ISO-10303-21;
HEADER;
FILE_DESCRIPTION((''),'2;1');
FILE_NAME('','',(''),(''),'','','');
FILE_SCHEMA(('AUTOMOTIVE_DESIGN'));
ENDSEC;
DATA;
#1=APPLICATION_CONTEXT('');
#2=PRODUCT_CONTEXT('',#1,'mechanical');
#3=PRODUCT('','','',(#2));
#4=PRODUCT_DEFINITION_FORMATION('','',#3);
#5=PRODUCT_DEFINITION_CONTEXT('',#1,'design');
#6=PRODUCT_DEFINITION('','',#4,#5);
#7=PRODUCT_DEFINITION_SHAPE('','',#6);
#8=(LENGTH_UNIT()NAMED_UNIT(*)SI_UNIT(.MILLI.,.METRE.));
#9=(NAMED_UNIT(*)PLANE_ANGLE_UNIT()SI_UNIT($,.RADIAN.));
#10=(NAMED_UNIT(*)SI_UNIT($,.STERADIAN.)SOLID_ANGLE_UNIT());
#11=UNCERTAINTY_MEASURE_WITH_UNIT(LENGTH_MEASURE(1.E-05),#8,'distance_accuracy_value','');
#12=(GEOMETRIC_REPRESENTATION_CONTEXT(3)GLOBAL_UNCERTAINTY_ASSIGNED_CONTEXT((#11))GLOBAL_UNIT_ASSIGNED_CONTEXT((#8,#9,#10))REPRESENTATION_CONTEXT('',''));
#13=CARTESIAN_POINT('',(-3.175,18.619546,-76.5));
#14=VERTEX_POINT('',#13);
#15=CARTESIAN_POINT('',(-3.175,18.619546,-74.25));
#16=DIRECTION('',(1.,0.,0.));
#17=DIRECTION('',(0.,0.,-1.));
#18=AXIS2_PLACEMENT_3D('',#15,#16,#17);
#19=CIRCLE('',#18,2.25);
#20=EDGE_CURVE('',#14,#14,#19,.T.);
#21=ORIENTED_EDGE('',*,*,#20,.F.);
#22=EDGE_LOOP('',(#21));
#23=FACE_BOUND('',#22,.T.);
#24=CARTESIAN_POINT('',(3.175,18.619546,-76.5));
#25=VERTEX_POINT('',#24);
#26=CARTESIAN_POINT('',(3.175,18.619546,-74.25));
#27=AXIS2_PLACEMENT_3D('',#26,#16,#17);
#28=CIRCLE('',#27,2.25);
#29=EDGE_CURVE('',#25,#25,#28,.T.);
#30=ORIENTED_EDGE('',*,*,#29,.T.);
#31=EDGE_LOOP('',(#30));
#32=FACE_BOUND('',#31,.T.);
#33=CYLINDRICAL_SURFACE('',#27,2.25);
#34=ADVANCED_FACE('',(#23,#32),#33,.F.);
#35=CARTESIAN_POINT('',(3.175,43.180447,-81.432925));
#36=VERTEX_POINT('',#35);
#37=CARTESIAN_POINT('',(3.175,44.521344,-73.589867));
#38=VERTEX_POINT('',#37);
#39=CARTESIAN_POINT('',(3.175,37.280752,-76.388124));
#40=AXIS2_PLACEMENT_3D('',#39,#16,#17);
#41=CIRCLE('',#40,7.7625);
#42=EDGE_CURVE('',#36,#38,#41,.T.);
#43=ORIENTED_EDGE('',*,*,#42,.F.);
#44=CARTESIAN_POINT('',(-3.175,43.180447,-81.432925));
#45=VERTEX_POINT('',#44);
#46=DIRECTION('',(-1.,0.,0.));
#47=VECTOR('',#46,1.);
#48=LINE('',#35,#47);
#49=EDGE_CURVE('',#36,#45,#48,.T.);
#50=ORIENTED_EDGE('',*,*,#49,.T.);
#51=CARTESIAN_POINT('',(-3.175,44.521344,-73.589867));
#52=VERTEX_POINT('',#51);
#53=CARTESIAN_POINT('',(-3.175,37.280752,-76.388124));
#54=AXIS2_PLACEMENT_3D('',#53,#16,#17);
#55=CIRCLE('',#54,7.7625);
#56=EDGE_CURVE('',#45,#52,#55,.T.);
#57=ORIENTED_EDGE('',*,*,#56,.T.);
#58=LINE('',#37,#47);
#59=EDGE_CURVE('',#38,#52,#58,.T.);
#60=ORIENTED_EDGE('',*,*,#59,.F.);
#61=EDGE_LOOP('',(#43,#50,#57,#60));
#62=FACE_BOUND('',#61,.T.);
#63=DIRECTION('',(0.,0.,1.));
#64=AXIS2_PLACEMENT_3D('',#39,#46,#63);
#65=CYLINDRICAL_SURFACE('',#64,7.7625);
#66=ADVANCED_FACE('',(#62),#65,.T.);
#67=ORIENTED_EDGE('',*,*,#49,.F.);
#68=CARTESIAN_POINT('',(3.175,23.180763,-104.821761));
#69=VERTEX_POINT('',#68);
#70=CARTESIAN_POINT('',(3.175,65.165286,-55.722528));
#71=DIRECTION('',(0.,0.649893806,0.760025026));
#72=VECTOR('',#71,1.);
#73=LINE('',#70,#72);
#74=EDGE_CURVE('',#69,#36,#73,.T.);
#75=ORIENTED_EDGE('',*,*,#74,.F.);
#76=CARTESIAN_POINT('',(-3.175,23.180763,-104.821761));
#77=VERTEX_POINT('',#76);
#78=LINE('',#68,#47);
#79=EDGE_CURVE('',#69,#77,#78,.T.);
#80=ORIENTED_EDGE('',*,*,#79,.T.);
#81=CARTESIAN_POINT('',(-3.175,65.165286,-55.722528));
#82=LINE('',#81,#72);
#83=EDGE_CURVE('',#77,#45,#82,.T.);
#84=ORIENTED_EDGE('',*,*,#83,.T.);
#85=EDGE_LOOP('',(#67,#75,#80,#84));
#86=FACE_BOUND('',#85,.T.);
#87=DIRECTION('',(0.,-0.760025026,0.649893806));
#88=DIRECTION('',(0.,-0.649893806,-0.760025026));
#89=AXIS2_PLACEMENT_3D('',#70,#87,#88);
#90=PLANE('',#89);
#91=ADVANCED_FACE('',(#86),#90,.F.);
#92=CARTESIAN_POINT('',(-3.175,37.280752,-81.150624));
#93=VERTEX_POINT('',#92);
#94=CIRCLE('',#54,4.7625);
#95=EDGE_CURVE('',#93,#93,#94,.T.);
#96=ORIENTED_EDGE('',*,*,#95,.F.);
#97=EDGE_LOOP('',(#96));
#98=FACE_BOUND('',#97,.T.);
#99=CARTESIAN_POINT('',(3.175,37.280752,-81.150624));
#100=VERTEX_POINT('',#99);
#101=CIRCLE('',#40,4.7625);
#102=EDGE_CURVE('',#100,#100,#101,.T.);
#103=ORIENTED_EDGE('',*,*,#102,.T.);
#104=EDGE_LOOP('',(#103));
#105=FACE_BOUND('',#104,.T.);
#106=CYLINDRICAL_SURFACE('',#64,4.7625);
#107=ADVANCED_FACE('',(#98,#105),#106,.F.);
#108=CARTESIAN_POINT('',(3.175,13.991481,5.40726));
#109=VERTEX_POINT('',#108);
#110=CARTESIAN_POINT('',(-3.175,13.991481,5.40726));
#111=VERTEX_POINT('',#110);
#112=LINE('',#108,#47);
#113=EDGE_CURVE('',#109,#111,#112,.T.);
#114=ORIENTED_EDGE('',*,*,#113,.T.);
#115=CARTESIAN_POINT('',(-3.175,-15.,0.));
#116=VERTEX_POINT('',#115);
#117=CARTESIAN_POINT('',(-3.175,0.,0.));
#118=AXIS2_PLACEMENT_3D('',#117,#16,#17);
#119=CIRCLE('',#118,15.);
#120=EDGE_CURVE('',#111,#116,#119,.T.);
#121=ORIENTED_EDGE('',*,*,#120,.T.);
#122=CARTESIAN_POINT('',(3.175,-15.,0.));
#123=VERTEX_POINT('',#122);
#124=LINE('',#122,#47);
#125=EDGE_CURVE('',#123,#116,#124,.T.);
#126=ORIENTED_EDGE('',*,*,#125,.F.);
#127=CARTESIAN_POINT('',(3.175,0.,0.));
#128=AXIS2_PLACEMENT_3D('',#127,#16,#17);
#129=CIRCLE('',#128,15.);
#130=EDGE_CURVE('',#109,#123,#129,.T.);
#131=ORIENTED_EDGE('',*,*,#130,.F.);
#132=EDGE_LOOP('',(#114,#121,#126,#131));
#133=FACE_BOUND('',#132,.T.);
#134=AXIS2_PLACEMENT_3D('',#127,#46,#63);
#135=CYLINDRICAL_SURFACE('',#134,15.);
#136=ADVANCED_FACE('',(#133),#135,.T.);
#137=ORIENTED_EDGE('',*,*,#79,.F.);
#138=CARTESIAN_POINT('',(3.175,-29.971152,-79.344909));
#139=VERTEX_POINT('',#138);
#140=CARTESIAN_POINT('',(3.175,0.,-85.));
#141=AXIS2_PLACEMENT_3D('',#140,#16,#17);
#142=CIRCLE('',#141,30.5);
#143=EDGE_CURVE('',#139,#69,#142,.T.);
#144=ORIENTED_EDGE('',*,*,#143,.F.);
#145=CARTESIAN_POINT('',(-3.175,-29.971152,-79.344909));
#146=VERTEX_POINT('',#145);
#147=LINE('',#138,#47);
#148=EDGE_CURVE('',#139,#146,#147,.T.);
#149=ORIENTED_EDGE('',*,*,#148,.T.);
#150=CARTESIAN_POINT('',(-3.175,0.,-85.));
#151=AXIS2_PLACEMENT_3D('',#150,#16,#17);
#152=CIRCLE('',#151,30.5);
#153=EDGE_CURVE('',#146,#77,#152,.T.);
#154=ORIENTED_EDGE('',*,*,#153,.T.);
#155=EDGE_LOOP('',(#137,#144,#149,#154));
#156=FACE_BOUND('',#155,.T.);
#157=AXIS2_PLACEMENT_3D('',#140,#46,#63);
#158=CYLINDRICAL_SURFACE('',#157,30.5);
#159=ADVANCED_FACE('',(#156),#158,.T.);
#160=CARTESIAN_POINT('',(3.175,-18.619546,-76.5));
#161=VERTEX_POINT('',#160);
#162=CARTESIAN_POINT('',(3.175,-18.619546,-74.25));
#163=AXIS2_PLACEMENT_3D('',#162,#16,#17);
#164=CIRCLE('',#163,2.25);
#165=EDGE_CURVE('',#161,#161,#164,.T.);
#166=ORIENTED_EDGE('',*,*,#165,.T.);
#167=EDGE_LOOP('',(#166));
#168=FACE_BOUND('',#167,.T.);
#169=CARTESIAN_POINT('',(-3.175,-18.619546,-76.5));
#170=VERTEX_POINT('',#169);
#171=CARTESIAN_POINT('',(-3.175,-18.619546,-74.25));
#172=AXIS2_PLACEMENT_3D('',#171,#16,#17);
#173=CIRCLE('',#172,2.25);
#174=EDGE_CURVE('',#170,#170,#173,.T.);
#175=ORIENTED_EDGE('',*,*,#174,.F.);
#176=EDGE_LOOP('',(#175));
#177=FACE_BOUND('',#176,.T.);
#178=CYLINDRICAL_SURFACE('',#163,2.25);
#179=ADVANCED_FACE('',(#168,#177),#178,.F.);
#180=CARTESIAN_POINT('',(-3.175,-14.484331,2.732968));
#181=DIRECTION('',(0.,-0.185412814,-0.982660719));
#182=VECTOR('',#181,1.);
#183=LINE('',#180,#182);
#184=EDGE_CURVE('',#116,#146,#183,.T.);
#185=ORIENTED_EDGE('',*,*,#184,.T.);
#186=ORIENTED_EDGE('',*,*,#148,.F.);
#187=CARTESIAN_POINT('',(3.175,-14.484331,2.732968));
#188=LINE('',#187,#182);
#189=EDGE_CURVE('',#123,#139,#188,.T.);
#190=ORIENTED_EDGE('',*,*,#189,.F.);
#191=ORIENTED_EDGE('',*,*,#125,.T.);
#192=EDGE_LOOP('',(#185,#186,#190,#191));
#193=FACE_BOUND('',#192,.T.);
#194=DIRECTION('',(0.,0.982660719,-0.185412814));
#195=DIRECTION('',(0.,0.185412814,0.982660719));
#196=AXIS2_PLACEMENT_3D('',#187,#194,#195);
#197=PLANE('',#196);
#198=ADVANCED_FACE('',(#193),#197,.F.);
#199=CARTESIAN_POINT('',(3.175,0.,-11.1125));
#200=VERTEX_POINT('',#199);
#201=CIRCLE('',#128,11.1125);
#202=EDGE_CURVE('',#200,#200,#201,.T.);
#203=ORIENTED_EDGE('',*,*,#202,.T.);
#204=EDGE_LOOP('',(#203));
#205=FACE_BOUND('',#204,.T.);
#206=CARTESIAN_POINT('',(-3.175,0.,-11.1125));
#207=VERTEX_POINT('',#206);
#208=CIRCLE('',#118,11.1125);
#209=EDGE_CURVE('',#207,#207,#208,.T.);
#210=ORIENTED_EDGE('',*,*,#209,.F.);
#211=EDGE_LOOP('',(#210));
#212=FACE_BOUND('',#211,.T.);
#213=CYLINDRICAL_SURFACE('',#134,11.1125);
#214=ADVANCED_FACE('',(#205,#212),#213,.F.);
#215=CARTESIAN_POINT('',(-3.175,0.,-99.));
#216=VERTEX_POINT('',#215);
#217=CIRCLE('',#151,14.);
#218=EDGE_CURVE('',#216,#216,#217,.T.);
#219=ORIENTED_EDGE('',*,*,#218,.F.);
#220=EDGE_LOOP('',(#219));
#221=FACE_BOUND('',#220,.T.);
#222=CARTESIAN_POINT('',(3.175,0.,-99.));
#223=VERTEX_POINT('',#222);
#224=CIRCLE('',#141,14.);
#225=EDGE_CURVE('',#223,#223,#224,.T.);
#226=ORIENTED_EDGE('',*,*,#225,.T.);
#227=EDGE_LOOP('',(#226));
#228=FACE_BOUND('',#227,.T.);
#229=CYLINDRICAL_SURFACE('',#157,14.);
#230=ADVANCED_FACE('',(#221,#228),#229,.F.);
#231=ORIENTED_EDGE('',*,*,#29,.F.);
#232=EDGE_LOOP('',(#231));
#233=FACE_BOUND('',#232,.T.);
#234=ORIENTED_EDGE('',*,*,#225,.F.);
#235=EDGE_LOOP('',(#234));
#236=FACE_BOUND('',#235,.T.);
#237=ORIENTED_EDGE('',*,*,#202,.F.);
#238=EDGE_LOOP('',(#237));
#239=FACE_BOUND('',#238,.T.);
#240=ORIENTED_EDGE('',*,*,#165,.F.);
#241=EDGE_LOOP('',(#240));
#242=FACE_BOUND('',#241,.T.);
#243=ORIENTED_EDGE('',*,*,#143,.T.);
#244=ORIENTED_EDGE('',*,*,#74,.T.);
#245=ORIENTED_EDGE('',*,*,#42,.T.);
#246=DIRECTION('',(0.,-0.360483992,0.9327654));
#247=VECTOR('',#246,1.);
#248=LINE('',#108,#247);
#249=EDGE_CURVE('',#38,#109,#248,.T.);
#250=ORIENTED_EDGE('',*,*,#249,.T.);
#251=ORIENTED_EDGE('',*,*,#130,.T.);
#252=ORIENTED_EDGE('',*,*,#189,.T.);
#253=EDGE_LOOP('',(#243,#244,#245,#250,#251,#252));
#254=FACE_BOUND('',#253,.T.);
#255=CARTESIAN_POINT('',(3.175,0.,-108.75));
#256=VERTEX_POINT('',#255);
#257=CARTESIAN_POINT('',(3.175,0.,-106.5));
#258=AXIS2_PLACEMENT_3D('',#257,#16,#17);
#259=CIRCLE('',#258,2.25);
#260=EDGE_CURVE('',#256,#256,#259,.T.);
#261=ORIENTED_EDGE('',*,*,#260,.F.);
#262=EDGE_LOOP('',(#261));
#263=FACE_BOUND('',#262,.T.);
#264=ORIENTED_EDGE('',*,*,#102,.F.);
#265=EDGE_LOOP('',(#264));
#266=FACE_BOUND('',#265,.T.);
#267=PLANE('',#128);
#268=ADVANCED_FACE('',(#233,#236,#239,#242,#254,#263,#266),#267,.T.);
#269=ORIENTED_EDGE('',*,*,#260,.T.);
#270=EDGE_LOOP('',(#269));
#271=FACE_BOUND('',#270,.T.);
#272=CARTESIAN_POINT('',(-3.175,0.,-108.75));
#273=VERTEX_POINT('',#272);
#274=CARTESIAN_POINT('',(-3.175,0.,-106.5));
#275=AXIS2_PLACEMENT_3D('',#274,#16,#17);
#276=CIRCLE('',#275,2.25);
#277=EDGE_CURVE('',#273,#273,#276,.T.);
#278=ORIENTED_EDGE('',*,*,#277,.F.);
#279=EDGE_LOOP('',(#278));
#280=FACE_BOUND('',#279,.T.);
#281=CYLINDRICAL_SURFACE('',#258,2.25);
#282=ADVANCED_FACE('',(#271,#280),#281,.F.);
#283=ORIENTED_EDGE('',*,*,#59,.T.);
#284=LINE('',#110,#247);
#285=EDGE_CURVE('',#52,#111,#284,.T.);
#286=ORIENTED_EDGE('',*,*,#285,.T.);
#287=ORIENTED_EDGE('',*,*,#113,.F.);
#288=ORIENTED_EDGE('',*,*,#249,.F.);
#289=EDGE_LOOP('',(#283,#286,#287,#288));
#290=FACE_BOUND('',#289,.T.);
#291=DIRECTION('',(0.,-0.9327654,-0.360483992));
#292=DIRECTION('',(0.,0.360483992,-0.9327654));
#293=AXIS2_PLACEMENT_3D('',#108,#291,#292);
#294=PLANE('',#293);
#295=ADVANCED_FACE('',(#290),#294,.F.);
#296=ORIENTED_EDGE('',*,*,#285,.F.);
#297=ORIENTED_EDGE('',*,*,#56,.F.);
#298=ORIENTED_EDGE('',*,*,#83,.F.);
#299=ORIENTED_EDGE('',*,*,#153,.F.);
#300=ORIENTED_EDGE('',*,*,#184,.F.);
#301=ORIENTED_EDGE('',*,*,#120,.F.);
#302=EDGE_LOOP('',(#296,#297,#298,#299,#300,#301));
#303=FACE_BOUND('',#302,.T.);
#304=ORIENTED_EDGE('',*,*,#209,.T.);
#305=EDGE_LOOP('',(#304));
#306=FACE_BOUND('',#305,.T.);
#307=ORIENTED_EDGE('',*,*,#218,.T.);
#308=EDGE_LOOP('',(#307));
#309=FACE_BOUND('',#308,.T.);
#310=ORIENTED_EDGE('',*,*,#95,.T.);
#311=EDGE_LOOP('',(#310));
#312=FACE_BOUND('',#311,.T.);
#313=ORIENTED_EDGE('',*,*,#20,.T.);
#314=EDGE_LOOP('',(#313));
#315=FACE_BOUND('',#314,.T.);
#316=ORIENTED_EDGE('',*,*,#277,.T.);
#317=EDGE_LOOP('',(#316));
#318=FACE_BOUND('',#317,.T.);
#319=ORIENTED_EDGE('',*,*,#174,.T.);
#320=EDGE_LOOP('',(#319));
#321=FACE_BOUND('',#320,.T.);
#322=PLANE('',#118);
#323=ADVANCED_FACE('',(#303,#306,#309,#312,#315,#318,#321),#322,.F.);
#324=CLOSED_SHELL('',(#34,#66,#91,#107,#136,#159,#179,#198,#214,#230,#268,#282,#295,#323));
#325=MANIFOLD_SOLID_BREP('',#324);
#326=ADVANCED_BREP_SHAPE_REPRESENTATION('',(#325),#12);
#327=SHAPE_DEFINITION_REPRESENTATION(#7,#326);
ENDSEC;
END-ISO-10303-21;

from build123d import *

# Parameters (mm, degrees)
SKETCH1_R            = 11.1125
SKETCH1_R_2          = 14
SKETCH1_R_3          = 4.7625
BOSS_EXTRUDE1_DEPTH  = 3.175
M4_CLEARANCE_HOLE1_D = 4.5


with BuildPart() as part:
    # Sketch1 → Boss-Extrude1 (new, symmetric)
    with BuildSketch(Plane(origin=(0, 0, 0), x_dir=(0, 0, -1), z_dir=(1, 0, 0))):
        with BuildLine():
            ThreePointArc((81.432924752, 43.180446665), (77.696268156, 44.932233649), (73.589867092, 44.521343816))
            Line((73.589867092, 44.521343816), (-5.407259882, 13.991481))
            ThreePointArc((-5.407259882, 13.991481), (-14.745714886, -2.750253171), (0, -15))
            Line((0, -15), (79.344909163, -29.971151924))
            ThreePointArc((79.344909163, -29.971151924), (112.50372992, -13.183127113), (104.821761092, 23.180763301))
            Line((104.821761092, 23.180763301), (81.432924752, 43.180446665))
        make_face()
        Circle(SKETCH1_R, mode=Mode.SUBTRACT)
        with Locations((85, 0)):
            Circle(SKETCH1_R_2, mode=Mode.SUBTRACT)
        with Locations((76.388124081, 37.280752399)):
            Circle(SKETCH1_R_3, mode=Mode.SUBTRACT)
    extrude(amount=BOSS_EXTRUDE1_DEPTH, both=True)

    # M4 Clearance Hole1 (through all)
    with Locations(Plane(origin=(3.175, 0, 0), x_dir=(0, 0, -1), z_dir=(1, 0, 0))):
        with Locations((74.25, 18.619546181), (106.5, 0), (74.25, -18.619546181)):
            Hole(M4_CLEARANCE_HOLE1_D / 2)


solid = part.part
